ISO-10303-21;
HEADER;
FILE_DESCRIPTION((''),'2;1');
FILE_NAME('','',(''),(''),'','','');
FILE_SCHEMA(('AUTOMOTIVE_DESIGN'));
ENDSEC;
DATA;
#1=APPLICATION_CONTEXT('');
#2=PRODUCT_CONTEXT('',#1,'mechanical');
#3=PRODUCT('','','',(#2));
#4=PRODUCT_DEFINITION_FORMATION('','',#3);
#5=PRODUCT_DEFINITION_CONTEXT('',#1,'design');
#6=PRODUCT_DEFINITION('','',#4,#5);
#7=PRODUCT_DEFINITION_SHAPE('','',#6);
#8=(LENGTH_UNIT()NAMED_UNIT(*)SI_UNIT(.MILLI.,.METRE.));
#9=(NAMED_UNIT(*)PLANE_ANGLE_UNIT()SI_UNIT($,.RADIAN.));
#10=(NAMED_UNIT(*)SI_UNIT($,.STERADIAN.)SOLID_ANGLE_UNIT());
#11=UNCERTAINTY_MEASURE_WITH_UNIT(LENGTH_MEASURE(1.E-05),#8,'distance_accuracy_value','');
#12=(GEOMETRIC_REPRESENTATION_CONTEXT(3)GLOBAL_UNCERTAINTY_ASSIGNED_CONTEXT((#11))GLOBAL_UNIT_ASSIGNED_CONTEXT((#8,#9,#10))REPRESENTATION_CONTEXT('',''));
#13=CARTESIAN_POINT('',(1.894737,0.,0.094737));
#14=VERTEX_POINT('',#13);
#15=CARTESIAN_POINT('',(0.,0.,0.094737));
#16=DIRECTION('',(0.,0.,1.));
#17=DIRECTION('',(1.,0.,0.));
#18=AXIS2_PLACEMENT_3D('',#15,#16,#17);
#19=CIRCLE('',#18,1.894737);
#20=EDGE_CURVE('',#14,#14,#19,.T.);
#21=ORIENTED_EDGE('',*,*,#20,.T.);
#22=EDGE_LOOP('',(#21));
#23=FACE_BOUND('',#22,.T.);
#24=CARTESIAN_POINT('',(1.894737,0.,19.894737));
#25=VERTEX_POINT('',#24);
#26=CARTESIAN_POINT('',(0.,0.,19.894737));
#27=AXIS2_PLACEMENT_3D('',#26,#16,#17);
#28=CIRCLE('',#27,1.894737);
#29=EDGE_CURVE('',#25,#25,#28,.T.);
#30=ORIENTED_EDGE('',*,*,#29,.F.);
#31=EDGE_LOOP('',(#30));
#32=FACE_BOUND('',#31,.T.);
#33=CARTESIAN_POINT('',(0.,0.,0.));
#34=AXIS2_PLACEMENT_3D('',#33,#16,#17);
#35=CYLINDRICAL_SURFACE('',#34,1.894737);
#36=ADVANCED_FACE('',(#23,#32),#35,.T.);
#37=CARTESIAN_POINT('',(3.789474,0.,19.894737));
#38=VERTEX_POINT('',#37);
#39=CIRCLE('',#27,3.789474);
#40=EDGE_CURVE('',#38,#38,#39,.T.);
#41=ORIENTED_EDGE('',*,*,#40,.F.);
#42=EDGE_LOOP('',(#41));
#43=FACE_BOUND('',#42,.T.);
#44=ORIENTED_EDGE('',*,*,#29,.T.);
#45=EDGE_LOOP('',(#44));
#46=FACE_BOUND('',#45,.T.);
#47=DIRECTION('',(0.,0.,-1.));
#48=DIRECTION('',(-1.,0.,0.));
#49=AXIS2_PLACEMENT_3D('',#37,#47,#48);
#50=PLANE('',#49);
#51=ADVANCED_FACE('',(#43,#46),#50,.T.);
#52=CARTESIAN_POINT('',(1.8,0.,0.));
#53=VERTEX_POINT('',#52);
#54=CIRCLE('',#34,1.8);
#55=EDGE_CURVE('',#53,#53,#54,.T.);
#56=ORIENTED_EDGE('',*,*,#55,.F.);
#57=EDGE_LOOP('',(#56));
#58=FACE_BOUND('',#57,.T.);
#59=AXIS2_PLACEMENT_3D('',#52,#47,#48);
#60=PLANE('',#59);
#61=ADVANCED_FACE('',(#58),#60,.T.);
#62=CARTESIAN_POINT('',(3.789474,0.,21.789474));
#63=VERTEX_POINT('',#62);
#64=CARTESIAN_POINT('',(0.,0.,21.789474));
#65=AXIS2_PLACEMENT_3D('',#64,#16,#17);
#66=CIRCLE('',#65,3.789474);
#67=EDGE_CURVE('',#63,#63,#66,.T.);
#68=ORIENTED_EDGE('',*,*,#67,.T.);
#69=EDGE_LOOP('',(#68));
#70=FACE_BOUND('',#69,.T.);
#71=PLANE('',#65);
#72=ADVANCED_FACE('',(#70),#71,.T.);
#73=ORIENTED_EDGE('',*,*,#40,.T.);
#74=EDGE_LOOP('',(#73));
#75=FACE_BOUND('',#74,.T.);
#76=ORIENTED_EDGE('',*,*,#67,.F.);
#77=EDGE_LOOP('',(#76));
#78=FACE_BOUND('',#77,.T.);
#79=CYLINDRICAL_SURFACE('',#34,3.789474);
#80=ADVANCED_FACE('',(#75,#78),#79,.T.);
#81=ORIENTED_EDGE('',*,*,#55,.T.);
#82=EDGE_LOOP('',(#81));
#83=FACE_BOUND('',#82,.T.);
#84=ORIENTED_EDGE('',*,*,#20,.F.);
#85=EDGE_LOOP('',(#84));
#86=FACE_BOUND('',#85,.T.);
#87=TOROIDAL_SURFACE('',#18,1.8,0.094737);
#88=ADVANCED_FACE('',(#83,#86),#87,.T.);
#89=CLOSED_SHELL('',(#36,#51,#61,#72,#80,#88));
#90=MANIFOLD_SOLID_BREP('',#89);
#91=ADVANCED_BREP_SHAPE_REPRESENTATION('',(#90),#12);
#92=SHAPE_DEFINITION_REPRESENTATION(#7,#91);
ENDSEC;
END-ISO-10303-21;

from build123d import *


with BuildPart() as part:
    # Sketch1 → Revolve1 (revolve)
    with BuildSketch(Plane(origin=(0, 0, 0), x_dir=(1, 0, 0), z_dir=(0, 1, 0))):
        with BuildLine():
            Line((1.8, 0), (0, 0))
            Line((0, 0), (0, -21.789473684))
            Line((0, -21.789473684), (3.789473684, -21.789473684))
            Line((3.789473684, -21.789473684), (3.789473684, -19.894736842))
            Line((3.789473684, -19.894736842), (1.894736842, -19.894736842))
            Line((1.894736842, -19.894736842), (1.894736842, -0.094736842))
            ThreePointArc((1.894736842, -0.094736842), (1.866989063, -0.027747779), (1.8, 0))
        make_face()
    revolve(axis=Axis((0, 0, 0), (0, 0, 1)))


solid = part.part
